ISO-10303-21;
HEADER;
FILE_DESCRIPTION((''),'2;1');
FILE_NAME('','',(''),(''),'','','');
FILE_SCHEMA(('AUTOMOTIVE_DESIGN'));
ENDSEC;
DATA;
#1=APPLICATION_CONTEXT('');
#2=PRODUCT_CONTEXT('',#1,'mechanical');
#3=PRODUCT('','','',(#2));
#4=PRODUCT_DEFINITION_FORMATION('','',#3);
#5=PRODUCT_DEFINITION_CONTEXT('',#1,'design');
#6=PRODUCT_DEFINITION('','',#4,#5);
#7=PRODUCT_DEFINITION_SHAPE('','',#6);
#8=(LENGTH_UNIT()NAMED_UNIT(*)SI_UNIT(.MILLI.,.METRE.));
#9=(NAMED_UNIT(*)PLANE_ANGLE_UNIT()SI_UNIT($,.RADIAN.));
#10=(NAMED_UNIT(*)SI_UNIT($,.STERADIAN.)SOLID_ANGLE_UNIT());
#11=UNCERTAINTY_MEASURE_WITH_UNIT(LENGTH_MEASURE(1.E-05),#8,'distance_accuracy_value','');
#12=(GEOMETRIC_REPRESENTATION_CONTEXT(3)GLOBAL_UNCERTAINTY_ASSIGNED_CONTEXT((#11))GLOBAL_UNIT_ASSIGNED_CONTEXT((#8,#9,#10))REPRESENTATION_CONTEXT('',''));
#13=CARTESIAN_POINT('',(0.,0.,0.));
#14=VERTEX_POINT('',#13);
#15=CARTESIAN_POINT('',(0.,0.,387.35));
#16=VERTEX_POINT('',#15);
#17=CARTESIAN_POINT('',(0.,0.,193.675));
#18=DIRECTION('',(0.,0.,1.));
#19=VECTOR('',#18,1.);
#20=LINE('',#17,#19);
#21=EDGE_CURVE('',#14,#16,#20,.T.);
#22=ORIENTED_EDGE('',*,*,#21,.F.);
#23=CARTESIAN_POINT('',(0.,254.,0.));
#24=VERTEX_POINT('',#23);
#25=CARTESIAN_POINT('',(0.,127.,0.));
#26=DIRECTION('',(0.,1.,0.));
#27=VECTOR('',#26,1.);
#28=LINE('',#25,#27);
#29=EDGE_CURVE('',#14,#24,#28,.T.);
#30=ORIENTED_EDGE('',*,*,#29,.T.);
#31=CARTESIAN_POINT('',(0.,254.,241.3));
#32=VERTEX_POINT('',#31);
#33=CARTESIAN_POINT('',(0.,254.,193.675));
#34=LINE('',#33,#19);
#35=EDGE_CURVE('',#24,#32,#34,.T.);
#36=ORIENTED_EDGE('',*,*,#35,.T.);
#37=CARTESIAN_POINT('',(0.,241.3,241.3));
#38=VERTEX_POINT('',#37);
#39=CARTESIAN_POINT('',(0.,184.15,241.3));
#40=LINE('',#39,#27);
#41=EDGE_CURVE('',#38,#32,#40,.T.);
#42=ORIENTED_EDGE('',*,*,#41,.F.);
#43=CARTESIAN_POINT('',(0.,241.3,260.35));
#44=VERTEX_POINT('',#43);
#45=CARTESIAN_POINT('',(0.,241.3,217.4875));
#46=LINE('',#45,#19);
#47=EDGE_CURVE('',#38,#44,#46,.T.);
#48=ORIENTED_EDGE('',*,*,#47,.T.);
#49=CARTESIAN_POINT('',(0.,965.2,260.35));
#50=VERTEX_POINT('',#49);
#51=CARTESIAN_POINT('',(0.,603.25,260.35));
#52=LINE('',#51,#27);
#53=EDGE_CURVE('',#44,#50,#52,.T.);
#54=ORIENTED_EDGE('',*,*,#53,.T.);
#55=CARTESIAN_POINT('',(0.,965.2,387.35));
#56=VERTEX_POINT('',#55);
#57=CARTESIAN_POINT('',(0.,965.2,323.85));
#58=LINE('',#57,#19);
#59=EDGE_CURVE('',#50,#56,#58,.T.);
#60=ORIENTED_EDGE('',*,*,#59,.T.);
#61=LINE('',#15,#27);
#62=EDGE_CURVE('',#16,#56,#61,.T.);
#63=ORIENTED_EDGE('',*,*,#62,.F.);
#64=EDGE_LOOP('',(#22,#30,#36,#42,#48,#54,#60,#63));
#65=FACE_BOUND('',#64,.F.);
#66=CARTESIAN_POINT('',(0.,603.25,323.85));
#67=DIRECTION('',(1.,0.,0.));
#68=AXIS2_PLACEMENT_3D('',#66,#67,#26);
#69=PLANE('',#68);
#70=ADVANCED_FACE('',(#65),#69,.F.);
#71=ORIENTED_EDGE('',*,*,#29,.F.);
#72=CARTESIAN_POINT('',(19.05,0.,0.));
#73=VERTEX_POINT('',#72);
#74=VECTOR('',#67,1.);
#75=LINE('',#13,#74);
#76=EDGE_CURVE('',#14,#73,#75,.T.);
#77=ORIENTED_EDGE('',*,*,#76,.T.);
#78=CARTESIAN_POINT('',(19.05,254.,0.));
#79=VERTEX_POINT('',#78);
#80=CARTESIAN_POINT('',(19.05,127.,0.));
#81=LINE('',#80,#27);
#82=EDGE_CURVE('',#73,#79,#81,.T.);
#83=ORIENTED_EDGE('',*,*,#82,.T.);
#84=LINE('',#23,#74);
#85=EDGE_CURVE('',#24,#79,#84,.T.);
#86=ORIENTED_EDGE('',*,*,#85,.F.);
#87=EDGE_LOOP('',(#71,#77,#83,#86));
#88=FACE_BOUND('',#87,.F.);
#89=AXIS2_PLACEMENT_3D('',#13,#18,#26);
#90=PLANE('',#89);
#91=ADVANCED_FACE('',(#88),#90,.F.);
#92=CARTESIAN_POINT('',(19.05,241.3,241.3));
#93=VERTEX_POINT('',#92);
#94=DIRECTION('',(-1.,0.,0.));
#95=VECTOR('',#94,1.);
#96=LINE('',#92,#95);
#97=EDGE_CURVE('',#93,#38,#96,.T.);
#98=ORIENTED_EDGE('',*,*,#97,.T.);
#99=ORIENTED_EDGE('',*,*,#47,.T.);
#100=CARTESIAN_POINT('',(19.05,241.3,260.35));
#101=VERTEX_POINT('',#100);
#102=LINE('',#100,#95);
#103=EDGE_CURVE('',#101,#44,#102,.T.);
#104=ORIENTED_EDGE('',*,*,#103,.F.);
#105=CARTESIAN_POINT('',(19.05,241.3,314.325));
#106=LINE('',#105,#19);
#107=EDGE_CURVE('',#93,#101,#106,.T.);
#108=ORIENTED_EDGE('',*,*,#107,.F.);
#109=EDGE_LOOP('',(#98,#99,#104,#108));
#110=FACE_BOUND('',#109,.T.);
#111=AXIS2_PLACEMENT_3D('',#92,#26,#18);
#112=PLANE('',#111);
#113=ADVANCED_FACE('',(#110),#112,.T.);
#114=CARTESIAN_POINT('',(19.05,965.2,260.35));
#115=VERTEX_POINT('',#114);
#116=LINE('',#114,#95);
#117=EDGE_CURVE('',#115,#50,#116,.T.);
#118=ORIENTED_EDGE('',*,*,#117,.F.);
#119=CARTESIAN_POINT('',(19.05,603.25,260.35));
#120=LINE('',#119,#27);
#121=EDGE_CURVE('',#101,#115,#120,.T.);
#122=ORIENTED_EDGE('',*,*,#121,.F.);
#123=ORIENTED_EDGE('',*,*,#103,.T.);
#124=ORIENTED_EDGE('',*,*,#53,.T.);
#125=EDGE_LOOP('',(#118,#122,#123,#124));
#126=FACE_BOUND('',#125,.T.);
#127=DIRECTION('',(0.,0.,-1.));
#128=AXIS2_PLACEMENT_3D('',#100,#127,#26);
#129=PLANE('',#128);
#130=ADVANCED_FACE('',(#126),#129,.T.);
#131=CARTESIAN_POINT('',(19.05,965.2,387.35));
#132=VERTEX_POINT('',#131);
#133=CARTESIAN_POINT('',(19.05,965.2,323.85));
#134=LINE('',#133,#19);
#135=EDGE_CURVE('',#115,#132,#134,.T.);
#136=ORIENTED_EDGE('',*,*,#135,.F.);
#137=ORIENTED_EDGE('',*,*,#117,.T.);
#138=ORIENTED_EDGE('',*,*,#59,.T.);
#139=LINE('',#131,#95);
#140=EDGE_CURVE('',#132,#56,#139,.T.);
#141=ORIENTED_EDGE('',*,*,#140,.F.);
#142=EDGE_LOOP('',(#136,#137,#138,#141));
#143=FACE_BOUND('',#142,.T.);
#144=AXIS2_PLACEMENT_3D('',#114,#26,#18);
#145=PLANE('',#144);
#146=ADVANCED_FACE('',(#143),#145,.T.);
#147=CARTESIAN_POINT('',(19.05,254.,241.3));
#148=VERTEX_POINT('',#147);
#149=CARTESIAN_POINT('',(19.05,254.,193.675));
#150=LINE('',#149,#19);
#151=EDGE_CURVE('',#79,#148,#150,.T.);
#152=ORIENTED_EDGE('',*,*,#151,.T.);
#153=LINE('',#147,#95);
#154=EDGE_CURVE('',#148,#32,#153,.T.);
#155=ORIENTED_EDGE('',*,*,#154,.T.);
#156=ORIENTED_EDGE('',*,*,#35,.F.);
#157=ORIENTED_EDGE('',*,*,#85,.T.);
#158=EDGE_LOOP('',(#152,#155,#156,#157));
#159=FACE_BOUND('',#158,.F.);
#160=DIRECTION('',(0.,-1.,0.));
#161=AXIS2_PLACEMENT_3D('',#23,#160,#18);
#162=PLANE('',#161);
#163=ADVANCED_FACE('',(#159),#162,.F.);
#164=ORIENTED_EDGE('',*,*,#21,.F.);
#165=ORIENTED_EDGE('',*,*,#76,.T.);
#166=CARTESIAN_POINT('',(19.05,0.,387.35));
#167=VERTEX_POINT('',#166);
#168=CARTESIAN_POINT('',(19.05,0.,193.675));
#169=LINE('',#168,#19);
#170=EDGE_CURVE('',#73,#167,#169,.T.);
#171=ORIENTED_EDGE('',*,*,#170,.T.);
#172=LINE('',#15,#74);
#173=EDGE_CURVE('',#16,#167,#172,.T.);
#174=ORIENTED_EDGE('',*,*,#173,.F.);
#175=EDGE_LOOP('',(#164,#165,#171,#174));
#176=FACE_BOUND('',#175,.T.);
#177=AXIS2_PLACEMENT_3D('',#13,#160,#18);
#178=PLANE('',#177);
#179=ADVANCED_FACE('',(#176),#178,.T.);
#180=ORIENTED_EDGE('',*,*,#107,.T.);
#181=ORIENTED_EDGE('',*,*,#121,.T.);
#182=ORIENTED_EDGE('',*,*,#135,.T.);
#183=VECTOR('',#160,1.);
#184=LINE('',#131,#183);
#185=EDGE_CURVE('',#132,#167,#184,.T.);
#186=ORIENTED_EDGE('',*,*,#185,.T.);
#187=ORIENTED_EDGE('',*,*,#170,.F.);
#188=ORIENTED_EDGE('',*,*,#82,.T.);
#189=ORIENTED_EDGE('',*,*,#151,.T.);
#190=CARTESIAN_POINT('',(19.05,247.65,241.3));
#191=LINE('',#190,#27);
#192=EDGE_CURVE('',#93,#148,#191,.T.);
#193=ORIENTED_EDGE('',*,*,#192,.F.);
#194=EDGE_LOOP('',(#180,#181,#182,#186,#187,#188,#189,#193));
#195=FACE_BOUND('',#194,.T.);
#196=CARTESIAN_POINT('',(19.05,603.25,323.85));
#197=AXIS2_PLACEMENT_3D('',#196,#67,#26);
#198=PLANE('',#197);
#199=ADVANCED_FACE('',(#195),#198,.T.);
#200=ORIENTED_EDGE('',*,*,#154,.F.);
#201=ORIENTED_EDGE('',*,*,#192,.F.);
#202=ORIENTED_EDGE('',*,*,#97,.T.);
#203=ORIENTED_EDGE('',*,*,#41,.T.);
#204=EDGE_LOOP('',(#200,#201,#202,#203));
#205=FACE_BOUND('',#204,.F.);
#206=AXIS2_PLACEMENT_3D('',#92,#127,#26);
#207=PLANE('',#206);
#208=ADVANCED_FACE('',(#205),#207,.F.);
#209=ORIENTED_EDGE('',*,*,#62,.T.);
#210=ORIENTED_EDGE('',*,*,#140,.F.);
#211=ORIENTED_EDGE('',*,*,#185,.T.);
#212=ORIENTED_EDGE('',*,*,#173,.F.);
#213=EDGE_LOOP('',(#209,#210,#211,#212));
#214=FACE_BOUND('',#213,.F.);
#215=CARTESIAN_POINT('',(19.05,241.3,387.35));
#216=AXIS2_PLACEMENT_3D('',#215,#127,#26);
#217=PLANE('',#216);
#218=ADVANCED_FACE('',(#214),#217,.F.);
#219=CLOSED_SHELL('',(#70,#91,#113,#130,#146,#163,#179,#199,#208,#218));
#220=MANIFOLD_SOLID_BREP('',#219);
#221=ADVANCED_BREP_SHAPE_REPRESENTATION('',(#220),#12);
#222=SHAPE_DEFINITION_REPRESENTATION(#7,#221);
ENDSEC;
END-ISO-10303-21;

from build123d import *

# Parameters (mm, degrees)
F0_W     = 254
F0_H     = 387.35
F1_DEPTH = 19.05
F2_W     = 12.7
F2_H     = 146.05
F3_DEPTH = 19.051
F4_W     = 723.9
F4_H     = 127
F5_DEPTH = 19.05


with BuildPart() as f1:
    # F0 (on Right) → F1 (new body)
    with BuildSketch(Plane.YZ):
        with Locations((127, 193.675)):
            Rectangle(F0_W, F0_H)
    extrude(amount=F1_DEPTH)

    # F2 (on face) → F3 (cut, through all)
    with BuildSketch(Plane.YZ.offset(19.05)):
        with Locations((247.65, 314.325)):
            Rectangle(F2_W, F2_H)
    extrude(amount=-F3_DEPTH, mode=Mode.SUBTRACT)

    # F4 (on face) → F5 (join)
    with BuildSketch(Plane.YZ.offset(19.05)):
        with Locations((603.25, 323.85)):
            Rectangle(F4_W, F4_H)
    extrude(amount=-F5_DEPTH)


solid = f1.part
